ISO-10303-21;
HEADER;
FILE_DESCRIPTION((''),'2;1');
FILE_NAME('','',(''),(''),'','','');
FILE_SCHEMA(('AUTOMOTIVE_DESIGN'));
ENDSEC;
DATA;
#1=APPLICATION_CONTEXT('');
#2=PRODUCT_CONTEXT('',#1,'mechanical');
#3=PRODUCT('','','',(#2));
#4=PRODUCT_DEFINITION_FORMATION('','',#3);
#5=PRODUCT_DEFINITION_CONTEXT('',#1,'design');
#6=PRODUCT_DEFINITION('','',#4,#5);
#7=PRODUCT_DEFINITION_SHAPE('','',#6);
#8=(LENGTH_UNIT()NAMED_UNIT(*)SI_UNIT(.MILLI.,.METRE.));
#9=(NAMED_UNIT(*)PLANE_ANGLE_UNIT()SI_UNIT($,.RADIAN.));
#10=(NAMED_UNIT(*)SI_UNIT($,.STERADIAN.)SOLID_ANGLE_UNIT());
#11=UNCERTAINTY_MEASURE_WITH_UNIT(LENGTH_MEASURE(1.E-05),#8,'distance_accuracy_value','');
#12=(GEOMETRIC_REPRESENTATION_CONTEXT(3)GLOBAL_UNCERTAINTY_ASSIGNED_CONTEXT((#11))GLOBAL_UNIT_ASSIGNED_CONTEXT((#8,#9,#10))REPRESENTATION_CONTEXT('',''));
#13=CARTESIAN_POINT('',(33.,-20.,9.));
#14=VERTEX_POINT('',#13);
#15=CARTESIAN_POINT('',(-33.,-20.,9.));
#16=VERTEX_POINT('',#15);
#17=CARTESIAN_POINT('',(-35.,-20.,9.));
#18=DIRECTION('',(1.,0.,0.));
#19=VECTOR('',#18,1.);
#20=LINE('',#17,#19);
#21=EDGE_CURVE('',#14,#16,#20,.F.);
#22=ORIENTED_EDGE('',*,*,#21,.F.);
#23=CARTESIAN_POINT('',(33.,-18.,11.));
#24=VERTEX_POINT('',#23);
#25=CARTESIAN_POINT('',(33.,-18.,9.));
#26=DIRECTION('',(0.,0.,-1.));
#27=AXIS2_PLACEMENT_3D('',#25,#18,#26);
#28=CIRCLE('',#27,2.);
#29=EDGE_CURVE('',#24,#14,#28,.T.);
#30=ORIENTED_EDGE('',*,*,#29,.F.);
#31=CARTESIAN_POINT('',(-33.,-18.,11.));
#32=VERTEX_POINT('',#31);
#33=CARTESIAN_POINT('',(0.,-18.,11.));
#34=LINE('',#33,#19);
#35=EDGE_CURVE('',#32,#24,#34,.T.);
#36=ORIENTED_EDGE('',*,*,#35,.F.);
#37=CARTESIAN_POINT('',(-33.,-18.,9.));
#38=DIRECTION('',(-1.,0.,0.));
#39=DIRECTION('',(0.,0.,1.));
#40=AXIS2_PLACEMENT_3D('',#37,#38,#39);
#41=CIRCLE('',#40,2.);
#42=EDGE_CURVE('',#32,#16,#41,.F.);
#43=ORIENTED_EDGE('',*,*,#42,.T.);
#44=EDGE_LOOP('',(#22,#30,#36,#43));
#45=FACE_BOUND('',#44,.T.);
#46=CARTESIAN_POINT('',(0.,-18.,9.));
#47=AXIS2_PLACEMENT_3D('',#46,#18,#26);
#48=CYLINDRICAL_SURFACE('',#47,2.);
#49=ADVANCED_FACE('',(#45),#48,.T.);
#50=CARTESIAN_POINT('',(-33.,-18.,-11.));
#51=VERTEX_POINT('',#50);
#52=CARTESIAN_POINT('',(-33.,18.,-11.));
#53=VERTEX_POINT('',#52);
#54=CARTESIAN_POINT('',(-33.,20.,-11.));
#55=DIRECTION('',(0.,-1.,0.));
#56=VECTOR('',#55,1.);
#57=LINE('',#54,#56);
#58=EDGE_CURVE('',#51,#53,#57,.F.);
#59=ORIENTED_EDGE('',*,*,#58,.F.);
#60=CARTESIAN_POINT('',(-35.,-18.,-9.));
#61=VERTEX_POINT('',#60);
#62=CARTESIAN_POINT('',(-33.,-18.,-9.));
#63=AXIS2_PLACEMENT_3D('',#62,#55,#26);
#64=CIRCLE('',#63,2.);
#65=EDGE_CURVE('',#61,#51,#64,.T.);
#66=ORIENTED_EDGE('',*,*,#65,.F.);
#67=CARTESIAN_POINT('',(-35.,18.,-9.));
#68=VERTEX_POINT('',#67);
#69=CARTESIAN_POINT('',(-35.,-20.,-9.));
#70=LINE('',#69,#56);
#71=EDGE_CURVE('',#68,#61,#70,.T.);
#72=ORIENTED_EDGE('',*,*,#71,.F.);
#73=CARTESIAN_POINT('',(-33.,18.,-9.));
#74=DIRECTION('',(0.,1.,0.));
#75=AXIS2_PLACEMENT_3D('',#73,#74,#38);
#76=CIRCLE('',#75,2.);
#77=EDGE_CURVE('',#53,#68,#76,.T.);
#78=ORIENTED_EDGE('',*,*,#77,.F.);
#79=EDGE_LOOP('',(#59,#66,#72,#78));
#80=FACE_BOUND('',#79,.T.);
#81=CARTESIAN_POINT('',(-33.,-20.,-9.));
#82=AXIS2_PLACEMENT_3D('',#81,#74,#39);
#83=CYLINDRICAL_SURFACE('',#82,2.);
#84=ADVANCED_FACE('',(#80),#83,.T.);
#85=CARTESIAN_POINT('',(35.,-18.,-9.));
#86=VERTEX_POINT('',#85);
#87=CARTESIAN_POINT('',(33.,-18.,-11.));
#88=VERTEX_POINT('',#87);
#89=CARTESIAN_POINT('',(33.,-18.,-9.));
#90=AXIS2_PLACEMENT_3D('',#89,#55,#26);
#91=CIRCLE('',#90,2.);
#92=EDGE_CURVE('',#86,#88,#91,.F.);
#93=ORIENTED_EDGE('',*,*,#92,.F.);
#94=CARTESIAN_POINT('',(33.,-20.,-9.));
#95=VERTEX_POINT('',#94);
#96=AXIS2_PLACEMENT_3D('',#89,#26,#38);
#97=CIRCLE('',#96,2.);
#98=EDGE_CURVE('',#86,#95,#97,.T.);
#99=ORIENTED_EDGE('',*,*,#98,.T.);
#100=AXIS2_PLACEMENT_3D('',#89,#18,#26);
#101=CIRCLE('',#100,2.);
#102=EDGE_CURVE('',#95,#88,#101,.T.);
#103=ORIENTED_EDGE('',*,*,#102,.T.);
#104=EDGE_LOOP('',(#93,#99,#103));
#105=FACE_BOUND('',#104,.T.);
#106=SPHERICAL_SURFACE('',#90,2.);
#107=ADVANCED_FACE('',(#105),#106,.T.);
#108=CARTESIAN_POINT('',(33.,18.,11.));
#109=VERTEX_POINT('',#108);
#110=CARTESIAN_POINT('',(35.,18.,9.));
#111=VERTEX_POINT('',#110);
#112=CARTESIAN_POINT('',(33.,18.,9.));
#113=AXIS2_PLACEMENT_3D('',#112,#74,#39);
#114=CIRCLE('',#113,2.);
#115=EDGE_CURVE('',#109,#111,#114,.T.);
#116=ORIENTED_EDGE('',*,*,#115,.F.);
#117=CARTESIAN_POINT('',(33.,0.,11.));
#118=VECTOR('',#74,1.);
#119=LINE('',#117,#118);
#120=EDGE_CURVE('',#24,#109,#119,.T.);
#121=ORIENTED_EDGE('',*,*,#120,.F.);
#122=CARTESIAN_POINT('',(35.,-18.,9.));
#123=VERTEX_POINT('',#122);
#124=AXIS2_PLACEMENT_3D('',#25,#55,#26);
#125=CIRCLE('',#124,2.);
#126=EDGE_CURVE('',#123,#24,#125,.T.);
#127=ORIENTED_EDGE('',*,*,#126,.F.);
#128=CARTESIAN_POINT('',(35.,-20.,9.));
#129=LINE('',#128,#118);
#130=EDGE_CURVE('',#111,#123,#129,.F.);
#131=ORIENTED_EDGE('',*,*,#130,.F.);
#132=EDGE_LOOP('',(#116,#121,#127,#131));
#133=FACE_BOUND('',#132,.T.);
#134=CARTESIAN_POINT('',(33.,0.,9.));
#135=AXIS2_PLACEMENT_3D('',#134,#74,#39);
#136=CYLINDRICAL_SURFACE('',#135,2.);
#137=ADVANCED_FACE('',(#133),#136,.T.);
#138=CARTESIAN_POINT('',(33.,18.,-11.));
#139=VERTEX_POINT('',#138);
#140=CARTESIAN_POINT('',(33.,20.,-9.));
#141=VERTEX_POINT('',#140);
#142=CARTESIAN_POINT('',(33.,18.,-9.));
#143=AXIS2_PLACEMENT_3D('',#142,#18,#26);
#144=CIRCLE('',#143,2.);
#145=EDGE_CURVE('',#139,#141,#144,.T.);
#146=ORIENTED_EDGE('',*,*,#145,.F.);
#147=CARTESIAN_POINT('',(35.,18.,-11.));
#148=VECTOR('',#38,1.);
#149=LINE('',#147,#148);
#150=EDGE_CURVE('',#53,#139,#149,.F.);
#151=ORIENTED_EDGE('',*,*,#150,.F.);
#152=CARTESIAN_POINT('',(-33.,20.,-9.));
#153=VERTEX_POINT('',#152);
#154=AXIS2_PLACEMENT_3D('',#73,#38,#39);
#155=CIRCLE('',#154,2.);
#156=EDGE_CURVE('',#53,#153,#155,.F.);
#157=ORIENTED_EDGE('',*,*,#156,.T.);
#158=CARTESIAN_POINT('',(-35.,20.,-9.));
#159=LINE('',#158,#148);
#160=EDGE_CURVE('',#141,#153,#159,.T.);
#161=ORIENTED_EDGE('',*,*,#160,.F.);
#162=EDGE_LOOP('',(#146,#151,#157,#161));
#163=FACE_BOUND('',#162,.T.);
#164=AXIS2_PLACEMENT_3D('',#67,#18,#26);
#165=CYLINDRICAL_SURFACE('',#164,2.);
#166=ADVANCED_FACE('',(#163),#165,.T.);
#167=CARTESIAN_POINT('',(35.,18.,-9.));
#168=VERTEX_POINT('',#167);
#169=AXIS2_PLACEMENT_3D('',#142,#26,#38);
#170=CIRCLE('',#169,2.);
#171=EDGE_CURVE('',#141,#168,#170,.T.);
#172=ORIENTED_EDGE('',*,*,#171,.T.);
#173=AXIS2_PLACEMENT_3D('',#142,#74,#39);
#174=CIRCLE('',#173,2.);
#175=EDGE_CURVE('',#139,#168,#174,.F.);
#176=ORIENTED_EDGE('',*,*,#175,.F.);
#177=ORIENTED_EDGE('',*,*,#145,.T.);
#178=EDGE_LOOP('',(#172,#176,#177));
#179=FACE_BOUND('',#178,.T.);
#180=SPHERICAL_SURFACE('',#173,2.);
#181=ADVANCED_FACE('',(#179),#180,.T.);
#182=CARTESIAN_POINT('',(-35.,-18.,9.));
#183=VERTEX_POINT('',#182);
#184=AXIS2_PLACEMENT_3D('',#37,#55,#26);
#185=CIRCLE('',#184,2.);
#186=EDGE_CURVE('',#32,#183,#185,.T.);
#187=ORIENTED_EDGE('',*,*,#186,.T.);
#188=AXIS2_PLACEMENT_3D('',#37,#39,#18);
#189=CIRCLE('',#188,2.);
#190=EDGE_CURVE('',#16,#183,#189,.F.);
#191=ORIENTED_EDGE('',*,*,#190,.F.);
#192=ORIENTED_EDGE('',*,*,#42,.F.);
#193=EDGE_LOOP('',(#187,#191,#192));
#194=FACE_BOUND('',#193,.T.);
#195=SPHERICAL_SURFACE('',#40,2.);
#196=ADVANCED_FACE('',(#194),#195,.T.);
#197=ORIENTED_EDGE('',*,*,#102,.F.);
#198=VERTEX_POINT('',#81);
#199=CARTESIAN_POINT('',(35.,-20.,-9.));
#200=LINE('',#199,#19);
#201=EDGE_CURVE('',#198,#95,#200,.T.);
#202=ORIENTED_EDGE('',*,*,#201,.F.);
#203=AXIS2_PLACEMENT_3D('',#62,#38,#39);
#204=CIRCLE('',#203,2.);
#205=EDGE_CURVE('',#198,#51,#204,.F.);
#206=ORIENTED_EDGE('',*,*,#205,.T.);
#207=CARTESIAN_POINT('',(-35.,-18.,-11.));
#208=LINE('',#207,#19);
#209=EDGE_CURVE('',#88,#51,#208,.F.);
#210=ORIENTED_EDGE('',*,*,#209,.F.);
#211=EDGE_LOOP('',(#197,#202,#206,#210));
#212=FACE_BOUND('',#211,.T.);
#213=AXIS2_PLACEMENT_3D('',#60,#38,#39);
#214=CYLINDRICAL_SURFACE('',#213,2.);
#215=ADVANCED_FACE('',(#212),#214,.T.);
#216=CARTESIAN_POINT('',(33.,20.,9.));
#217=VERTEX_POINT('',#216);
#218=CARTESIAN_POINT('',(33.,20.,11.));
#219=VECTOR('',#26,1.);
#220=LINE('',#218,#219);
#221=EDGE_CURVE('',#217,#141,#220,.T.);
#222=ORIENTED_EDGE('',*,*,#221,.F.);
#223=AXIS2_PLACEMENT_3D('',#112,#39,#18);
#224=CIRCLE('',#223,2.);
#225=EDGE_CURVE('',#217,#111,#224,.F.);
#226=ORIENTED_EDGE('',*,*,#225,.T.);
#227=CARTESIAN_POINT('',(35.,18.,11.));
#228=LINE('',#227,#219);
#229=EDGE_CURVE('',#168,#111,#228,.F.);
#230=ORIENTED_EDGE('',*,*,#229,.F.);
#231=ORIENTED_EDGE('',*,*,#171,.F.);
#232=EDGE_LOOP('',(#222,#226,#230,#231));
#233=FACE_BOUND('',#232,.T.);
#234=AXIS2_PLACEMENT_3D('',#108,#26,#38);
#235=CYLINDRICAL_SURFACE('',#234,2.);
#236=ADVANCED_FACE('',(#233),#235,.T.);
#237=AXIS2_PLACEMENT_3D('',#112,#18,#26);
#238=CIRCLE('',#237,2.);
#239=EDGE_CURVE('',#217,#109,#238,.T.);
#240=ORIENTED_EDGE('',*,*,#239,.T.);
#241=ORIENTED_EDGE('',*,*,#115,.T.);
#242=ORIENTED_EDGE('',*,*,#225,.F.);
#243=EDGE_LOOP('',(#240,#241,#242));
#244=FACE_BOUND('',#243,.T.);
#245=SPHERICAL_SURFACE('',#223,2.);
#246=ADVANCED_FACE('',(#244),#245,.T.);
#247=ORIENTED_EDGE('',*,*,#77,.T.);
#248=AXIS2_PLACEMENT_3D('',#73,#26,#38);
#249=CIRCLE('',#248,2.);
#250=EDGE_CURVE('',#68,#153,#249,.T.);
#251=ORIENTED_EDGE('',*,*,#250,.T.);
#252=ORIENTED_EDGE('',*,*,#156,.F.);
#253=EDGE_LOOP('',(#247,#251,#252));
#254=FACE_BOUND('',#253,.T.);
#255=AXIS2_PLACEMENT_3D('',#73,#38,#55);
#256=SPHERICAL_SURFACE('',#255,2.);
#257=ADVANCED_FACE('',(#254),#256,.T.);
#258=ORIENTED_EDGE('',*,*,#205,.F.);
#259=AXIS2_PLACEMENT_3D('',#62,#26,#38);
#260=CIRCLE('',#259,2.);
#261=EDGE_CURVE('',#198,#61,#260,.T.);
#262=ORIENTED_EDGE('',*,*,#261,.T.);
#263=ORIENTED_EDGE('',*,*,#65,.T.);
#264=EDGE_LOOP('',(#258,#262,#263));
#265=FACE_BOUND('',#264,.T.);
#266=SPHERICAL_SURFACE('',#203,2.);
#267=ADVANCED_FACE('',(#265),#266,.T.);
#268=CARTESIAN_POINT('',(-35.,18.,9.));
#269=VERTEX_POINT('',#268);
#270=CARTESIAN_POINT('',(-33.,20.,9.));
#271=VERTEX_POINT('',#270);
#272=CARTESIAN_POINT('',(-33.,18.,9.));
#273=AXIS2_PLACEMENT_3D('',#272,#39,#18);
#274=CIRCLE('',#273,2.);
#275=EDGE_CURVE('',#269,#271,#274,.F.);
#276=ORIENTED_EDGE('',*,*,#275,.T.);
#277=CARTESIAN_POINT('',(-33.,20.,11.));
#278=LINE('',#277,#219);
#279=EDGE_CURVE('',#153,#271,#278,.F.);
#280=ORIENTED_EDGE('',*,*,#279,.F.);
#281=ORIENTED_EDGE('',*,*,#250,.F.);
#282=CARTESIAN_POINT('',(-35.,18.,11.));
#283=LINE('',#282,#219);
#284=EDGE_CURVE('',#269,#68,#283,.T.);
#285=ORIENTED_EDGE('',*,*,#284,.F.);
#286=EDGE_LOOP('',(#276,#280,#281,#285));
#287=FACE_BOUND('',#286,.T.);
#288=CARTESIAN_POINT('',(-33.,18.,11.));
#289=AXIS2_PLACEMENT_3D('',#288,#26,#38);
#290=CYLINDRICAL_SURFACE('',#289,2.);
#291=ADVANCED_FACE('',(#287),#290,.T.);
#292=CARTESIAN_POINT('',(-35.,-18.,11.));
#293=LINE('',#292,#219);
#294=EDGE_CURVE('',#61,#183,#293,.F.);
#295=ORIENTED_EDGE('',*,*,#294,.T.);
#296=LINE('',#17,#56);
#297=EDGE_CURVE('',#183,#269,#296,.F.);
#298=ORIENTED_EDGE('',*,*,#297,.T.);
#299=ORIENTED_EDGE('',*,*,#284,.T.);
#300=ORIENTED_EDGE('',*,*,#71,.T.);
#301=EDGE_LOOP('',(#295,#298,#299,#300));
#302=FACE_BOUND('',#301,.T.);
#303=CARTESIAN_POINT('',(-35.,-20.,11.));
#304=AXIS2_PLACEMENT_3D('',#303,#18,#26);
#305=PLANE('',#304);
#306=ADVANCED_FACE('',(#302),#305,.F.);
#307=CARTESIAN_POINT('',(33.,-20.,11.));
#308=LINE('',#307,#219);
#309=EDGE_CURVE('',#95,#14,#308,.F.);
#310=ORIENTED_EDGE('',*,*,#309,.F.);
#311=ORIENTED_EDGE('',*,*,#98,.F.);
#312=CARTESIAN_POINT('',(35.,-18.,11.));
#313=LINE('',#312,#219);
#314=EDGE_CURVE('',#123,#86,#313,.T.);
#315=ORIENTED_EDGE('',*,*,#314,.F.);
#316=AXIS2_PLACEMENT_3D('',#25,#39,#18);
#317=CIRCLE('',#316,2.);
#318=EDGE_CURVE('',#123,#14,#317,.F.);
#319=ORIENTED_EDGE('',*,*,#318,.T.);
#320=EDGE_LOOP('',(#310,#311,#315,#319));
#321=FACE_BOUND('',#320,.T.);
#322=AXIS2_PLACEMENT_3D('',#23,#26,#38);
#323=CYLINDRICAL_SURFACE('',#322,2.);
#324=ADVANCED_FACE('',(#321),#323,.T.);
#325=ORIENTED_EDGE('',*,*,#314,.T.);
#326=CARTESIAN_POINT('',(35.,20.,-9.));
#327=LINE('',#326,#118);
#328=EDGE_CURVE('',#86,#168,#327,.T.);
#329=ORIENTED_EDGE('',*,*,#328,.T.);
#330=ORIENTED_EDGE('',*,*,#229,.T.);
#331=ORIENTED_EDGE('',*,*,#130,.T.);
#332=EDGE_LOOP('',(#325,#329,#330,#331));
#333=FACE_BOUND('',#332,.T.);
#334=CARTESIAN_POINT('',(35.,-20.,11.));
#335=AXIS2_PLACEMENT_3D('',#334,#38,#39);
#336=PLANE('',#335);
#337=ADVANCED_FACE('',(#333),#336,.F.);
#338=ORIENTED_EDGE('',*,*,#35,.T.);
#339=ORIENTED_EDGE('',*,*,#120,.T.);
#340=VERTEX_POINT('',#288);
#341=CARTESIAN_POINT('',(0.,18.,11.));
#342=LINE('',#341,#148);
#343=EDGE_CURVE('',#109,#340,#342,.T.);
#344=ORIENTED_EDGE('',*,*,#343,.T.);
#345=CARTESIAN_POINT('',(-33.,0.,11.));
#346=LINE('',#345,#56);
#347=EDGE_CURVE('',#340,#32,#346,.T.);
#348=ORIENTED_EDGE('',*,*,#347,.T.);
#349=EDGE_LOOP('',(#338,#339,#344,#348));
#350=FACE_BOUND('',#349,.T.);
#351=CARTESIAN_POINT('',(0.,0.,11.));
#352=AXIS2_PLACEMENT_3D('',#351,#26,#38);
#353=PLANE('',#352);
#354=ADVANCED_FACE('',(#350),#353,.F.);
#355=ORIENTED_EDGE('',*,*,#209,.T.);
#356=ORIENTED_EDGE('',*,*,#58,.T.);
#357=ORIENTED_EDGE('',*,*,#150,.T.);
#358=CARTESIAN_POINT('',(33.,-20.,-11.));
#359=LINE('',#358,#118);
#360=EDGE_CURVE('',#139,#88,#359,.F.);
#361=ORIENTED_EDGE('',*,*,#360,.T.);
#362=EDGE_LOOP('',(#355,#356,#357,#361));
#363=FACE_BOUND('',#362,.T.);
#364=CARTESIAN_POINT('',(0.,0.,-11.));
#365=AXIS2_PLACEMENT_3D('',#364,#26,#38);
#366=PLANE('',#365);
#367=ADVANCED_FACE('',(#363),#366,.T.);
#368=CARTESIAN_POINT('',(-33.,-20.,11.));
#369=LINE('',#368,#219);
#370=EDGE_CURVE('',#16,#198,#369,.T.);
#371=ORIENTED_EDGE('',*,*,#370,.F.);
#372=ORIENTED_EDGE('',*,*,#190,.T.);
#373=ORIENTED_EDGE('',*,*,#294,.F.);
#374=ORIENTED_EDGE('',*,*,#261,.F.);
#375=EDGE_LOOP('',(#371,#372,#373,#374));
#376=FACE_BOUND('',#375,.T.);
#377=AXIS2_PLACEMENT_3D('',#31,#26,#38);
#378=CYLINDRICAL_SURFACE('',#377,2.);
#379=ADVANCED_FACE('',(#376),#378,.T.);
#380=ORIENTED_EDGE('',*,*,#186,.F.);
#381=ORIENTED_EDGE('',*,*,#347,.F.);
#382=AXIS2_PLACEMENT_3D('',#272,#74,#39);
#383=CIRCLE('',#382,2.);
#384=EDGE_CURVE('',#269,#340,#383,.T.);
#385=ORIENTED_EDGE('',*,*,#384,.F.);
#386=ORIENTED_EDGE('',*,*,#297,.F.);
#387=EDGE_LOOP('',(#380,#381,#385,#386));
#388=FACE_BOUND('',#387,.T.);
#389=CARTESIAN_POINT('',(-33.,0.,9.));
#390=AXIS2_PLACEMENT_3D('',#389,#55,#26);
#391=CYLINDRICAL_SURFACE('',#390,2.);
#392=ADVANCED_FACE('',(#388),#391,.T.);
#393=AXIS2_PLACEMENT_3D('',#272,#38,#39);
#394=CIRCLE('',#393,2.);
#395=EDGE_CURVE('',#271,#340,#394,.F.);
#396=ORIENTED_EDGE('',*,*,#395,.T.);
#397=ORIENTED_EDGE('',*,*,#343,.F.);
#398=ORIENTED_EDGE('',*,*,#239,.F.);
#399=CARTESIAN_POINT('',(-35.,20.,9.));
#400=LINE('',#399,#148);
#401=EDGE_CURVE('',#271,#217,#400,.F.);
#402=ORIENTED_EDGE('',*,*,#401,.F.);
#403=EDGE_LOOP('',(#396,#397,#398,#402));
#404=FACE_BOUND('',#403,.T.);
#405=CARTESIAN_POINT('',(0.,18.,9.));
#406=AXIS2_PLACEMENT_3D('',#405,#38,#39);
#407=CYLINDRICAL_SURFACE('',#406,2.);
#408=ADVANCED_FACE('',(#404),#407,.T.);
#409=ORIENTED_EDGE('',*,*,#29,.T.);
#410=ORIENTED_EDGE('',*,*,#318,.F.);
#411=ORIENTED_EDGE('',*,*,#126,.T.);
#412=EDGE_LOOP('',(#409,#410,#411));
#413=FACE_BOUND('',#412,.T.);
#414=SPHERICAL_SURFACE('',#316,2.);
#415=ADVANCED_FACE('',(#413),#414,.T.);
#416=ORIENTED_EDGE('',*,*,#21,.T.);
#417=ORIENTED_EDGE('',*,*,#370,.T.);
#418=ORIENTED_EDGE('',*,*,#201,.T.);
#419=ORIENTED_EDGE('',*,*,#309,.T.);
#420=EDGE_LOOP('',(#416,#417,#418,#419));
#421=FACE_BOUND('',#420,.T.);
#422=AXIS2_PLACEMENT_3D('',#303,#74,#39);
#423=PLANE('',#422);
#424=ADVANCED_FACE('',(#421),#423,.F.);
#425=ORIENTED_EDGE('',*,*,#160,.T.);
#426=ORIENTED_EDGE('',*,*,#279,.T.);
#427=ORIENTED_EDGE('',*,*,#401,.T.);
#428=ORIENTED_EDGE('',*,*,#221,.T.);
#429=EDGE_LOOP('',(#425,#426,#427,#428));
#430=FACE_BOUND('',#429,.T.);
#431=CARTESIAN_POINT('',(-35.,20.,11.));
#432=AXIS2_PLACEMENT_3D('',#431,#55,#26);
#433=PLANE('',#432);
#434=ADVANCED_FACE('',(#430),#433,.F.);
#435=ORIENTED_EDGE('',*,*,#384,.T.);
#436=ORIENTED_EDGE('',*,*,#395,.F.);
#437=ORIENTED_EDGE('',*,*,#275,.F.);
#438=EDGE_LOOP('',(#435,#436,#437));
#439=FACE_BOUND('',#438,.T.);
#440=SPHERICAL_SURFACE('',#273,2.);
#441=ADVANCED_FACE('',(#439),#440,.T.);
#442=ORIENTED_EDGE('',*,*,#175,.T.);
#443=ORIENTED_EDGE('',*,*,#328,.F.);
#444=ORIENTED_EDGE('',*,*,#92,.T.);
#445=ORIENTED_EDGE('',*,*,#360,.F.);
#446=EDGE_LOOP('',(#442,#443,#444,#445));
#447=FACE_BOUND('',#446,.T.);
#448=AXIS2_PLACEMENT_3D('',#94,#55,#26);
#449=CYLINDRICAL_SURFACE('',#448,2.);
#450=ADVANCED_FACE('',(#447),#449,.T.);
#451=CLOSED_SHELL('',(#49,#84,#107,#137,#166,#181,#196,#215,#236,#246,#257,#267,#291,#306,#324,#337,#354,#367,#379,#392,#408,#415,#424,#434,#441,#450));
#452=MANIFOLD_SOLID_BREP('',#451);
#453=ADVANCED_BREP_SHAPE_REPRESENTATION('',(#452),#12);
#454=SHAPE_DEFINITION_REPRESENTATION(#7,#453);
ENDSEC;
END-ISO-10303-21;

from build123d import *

# Parameters (mm, degrees)
SKETCH_1_W      = 70
SKETCH_1_H      = 40
EXTRUDE_1_DEPTH = 11
FILLET_1_R      = 2


with BuildPart() as part:
    # 草图1 → 凸台-拉伸1 (new, symmetric)
    with BuildSketch(Plane.XY):
        Rectangle(SKETCH_1_W, SKETCH_1_H)
    extrude(amount=EXTRUDE_1_DEPTH, both=True)

    # 圆角1
    fillet_1_edges = [part.edges().sort_by_distance(p)[0] for p in [
        (-35, 0, 11),
        (0, -20, 11),
        (35, 0, 11),
        (0, -20, -11),
        (-35, 0, -11),
        (0, 20, -11),
        (35, 0, -11),
        (35, -20, 0),
        (-35, -20, 0),
        (-35, 20, 0),
        (35, 20, 0),
        (0, 20, 11),
    ]]
    fillet(fillet_1_edges, radius=FILLET_1_R)


solid = part.part
